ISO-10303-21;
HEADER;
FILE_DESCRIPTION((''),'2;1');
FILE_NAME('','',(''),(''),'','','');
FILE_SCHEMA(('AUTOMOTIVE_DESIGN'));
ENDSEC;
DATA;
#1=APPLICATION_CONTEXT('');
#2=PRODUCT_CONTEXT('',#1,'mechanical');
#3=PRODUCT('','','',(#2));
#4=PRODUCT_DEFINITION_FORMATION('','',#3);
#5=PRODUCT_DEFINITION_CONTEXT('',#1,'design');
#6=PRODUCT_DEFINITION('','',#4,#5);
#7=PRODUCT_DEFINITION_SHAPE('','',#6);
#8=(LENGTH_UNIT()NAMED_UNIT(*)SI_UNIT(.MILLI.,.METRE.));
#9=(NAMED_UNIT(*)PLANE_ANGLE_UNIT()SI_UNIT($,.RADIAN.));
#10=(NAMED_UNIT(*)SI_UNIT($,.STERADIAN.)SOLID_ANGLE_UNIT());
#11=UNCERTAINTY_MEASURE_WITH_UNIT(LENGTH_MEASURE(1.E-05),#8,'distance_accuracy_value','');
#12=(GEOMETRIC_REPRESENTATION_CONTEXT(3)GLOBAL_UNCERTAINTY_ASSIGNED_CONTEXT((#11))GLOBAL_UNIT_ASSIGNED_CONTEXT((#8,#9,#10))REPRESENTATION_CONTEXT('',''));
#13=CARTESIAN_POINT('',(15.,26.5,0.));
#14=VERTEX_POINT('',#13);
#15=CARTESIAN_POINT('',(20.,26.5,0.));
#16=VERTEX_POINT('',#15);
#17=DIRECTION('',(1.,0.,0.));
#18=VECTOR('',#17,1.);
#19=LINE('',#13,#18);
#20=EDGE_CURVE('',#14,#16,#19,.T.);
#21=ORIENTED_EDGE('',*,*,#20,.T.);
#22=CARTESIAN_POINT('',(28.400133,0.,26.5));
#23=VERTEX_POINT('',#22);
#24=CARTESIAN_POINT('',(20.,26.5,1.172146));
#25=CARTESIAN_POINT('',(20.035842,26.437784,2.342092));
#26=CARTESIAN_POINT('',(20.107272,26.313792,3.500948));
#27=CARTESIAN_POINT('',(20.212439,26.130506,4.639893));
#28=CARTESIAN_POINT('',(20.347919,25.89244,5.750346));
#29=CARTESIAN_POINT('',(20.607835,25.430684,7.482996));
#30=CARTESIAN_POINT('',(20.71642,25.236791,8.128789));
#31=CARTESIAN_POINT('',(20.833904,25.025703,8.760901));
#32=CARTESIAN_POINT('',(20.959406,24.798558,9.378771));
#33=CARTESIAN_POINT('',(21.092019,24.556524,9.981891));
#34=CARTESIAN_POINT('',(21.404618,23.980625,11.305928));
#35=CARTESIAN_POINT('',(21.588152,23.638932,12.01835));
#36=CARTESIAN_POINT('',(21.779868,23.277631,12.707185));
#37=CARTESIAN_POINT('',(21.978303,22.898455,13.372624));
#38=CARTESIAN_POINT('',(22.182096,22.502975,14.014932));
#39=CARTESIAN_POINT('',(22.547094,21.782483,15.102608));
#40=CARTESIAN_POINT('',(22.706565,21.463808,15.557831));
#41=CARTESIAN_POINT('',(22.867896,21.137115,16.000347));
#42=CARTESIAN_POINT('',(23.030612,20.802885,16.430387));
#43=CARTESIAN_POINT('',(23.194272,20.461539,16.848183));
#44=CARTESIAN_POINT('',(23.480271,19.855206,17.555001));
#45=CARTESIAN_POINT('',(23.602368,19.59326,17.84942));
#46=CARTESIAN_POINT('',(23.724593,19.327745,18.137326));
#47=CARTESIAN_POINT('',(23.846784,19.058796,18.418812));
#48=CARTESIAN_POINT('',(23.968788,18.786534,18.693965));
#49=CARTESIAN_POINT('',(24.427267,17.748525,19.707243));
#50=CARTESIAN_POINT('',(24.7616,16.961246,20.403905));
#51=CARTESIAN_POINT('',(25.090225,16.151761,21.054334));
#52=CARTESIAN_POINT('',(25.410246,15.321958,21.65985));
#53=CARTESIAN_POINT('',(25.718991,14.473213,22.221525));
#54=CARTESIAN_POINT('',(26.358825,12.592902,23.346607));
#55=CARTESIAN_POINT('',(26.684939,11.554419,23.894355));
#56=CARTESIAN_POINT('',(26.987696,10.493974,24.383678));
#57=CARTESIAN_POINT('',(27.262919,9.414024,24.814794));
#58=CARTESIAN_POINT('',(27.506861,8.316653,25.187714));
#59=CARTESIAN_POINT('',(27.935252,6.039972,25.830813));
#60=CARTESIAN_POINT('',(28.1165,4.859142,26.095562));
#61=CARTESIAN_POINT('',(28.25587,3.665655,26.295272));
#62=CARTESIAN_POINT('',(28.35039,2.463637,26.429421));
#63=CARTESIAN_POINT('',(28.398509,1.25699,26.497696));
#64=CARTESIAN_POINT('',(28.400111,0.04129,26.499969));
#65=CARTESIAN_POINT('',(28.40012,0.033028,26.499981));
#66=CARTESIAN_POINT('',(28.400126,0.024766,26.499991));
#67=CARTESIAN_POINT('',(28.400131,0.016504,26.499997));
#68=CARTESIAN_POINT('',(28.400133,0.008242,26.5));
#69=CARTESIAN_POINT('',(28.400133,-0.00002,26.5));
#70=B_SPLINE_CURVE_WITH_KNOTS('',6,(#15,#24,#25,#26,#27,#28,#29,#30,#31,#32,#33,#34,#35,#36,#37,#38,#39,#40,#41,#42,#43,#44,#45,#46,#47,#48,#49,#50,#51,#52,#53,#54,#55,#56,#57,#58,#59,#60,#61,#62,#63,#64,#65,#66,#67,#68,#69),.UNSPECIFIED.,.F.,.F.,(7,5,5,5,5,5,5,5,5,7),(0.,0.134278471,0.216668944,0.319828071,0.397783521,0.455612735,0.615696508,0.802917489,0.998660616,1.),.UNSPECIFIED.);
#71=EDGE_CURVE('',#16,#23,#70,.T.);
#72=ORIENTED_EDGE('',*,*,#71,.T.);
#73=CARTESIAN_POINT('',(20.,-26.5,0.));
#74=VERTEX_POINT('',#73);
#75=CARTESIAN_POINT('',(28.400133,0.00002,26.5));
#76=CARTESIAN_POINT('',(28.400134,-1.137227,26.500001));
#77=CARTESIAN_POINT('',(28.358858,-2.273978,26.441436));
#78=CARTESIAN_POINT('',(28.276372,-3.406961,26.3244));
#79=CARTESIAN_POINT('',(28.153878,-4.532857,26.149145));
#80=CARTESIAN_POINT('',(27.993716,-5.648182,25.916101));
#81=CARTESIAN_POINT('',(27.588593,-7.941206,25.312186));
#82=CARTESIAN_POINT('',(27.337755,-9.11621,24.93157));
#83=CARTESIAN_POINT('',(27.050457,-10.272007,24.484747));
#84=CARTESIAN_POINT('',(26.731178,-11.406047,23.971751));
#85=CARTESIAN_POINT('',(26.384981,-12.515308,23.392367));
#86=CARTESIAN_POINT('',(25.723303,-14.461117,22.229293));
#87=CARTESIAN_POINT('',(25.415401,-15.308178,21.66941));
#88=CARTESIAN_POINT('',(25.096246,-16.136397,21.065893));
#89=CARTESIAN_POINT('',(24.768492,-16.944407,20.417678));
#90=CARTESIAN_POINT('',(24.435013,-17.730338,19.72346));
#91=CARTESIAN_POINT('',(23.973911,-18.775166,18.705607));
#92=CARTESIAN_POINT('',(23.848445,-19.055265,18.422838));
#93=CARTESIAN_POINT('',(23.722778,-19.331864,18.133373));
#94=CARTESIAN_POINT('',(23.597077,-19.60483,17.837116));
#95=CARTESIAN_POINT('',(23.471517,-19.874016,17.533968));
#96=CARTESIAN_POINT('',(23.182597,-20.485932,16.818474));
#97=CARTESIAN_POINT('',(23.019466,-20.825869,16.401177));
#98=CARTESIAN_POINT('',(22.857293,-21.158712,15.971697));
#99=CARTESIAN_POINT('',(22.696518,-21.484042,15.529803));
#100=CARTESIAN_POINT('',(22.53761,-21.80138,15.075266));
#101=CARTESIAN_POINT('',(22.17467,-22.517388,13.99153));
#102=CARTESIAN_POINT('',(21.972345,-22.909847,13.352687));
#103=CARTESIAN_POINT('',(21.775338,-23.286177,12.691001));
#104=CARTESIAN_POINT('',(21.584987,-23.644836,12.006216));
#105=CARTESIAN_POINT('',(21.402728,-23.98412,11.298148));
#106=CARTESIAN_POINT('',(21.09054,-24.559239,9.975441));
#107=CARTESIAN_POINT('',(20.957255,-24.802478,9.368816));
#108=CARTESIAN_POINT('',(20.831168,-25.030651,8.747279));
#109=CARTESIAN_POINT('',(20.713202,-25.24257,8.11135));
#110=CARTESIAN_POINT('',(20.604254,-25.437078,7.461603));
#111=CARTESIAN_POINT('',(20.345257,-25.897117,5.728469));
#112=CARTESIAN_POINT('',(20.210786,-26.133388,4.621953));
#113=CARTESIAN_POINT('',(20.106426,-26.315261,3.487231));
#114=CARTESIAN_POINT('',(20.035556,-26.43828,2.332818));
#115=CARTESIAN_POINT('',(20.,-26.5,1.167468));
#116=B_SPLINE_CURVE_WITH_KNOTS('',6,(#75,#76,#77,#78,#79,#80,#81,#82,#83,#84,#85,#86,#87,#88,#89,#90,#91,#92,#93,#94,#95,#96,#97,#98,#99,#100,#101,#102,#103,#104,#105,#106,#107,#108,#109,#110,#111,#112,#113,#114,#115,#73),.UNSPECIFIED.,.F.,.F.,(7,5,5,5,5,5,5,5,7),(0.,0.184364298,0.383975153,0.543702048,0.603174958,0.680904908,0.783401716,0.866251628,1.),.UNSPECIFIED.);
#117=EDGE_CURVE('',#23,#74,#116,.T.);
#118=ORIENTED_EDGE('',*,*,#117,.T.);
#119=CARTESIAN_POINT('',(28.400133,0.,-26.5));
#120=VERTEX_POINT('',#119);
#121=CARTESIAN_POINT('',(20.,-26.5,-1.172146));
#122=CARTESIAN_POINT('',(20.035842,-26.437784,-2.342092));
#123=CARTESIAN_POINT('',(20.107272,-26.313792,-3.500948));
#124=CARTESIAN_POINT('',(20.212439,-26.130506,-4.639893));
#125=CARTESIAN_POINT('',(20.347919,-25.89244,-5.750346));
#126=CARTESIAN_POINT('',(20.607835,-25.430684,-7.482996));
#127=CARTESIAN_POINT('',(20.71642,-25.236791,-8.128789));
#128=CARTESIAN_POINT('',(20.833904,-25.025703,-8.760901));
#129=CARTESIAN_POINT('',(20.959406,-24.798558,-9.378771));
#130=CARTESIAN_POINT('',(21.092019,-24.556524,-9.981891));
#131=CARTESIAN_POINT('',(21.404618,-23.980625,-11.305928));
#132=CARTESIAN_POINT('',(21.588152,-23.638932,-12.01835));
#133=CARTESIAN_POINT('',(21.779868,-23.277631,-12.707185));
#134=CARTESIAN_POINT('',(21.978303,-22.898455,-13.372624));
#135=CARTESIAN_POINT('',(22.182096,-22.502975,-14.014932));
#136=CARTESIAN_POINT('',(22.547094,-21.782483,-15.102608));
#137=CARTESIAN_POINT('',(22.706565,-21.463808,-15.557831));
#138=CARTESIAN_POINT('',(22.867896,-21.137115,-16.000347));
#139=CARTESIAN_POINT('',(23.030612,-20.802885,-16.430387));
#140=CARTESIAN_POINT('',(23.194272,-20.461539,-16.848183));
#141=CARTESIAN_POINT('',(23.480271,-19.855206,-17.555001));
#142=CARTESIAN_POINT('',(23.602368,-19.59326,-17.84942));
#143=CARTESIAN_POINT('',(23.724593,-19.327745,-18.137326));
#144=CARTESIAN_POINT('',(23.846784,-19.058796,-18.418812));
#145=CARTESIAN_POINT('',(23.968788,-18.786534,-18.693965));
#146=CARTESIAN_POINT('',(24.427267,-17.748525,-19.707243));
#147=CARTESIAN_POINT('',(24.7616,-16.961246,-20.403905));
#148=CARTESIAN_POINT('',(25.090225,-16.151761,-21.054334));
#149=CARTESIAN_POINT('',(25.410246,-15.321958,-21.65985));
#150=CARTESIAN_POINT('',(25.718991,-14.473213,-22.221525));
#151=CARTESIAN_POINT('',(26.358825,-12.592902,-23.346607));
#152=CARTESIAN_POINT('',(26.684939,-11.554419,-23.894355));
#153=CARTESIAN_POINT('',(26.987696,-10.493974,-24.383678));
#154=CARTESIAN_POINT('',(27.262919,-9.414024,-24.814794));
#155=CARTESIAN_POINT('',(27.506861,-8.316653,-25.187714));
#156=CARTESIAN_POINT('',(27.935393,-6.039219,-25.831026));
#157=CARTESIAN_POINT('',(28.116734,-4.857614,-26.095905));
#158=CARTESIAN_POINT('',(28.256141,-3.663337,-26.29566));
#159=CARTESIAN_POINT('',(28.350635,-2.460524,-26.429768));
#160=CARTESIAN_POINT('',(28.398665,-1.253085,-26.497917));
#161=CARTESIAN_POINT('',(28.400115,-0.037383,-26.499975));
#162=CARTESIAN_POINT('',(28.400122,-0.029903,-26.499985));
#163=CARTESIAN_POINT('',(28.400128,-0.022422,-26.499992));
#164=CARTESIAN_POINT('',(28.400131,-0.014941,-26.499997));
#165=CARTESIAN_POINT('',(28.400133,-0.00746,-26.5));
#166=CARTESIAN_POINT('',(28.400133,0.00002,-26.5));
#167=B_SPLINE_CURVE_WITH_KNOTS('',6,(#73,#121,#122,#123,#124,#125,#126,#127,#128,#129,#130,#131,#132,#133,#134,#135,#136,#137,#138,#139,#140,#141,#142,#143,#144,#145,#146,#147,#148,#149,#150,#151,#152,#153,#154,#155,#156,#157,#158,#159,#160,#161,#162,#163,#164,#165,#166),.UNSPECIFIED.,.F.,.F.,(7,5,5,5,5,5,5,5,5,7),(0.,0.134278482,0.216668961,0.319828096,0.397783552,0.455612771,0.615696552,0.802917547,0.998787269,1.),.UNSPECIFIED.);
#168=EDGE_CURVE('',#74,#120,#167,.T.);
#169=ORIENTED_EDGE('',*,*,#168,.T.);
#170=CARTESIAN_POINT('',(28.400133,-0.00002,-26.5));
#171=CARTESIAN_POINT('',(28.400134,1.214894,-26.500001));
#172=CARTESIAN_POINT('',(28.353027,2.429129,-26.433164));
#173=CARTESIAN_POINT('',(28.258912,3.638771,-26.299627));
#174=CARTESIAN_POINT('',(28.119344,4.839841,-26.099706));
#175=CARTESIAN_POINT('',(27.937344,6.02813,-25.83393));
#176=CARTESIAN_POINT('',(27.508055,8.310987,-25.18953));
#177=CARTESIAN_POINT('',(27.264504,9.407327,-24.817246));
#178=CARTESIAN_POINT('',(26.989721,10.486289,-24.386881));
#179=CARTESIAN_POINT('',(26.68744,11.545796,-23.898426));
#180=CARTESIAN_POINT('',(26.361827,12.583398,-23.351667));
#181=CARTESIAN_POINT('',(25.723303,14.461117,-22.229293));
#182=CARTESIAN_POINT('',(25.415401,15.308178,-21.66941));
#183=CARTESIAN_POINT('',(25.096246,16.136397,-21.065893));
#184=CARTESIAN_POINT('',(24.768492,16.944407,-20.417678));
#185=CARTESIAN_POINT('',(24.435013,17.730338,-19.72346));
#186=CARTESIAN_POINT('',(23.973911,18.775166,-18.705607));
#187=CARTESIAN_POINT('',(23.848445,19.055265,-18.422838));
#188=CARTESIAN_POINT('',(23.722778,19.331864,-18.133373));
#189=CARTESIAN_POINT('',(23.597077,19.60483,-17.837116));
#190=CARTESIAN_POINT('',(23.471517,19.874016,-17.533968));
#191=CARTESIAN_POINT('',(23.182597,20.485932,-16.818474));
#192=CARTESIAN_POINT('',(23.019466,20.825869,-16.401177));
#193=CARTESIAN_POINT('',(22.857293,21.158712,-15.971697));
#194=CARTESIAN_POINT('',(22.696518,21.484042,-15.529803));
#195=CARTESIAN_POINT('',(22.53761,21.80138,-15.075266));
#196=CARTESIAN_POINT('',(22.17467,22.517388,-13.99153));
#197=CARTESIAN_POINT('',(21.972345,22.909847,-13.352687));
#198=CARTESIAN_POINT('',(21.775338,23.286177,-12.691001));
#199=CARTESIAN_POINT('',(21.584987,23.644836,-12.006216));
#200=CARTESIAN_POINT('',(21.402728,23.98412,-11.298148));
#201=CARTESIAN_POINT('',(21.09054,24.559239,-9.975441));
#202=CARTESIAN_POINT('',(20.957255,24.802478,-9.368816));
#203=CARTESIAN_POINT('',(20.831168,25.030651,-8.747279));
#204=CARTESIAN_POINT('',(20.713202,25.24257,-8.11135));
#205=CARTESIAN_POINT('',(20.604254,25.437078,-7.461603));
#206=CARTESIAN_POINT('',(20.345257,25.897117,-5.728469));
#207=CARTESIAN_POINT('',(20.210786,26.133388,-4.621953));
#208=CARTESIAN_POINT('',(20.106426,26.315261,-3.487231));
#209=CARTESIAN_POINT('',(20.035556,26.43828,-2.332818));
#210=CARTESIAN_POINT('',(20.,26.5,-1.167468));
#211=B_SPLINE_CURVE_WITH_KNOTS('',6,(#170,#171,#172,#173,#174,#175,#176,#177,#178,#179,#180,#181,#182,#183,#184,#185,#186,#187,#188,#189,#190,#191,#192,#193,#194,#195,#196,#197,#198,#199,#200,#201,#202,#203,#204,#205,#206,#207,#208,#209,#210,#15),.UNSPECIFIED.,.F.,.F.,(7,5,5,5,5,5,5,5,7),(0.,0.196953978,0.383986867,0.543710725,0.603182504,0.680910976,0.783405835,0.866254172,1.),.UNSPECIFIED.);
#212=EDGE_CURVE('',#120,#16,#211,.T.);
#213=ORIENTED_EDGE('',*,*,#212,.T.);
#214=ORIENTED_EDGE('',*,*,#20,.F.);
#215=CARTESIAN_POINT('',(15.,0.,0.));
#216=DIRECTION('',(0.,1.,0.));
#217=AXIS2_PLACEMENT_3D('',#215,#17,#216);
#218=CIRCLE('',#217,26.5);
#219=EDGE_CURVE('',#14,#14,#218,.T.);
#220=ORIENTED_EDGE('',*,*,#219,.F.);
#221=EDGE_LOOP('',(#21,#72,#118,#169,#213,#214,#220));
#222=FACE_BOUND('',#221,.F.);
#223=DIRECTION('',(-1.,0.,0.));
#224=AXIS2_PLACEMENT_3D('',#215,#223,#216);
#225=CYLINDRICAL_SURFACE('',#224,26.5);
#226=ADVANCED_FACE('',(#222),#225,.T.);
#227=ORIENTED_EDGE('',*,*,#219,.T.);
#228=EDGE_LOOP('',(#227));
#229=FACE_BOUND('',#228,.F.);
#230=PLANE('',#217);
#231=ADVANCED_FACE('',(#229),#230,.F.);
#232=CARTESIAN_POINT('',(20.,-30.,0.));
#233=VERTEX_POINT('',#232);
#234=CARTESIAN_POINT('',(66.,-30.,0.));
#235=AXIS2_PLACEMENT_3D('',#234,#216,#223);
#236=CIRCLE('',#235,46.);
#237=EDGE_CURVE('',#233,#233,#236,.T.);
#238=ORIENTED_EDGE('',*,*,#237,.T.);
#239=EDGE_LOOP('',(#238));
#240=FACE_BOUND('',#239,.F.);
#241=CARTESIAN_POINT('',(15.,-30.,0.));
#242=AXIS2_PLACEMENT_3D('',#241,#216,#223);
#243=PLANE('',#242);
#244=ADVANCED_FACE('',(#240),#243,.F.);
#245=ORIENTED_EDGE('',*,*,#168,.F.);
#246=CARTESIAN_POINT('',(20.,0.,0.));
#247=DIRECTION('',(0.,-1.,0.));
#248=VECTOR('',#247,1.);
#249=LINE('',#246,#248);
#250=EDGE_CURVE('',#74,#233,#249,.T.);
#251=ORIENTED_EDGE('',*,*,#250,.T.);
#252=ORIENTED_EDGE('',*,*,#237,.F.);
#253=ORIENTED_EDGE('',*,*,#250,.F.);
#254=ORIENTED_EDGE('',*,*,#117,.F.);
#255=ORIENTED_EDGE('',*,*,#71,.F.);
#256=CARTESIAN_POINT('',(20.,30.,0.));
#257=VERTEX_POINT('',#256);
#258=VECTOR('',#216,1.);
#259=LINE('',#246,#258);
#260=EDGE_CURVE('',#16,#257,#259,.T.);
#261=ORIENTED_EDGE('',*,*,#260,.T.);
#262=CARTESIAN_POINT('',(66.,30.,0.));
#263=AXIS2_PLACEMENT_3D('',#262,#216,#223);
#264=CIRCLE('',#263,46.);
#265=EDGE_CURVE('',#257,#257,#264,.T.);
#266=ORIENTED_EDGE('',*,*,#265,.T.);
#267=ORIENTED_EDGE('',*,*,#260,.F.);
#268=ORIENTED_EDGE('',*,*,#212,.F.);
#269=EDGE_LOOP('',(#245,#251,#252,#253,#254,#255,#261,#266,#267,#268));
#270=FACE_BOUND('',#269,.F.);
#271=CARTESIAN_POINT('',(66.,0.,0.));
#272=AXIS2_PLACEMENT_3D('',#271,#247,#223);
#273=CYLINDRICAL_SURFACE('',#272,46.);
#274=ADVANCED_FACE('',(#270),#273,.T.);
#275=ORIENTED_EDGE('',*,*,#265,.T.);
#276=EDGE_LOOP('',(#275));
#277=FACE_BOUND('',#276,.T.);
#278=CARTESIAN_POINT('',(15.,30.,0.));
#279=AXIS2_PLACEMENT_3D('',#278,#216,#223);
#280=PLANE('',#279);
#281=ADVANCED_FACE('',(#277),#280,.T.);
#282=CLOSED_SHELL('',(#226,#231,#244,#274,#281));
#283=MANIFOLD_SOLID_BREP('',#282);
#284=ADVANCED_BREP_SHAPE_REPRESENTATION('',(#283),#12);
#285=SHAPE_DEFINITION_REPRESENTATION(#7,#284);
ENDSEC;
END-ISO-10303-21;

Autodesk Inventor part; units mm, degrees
ref_plane "YZ Plane" through (0, 0, 0) normal (1, 0, 0) x (0, 1, 0)
ref_plane "XZ Plane" through (0, 0, 0) normal (0, 1, 0) x (-1, 0, 0)
ref_plane "XY Plane" through (0, 0, 0) normal (0, 0, 1) x (1, 0, 0)
sketch "Sketch1" plane through (0, 0, 0) normal (1, 0, 0) x (0, 1, 0)
  circle A0 centre (0, 0) radius 26.5
  dimension "d0" = 53
extrude "Extrusion1" add sketch "Sketch1" along normal blind 51
sketch "Sketch2" plane through (0, 0, 0) normal (0, 1, 0) x (-1, 0, 0)
  line L0 (-51, 26.5) -> (-51, -26.5) projected
  circle A0 centre (-51, 0) radius 46
  point P0 (0, 0)
  dimension "d3" = 92
extrude "Extrusion2" add sketch "Sketch2" along normal mid plane 60
move or copy body "Move Body1" bodies to move or copy 1 copy no translate (15, 0, 0)
properties part number "hip"
